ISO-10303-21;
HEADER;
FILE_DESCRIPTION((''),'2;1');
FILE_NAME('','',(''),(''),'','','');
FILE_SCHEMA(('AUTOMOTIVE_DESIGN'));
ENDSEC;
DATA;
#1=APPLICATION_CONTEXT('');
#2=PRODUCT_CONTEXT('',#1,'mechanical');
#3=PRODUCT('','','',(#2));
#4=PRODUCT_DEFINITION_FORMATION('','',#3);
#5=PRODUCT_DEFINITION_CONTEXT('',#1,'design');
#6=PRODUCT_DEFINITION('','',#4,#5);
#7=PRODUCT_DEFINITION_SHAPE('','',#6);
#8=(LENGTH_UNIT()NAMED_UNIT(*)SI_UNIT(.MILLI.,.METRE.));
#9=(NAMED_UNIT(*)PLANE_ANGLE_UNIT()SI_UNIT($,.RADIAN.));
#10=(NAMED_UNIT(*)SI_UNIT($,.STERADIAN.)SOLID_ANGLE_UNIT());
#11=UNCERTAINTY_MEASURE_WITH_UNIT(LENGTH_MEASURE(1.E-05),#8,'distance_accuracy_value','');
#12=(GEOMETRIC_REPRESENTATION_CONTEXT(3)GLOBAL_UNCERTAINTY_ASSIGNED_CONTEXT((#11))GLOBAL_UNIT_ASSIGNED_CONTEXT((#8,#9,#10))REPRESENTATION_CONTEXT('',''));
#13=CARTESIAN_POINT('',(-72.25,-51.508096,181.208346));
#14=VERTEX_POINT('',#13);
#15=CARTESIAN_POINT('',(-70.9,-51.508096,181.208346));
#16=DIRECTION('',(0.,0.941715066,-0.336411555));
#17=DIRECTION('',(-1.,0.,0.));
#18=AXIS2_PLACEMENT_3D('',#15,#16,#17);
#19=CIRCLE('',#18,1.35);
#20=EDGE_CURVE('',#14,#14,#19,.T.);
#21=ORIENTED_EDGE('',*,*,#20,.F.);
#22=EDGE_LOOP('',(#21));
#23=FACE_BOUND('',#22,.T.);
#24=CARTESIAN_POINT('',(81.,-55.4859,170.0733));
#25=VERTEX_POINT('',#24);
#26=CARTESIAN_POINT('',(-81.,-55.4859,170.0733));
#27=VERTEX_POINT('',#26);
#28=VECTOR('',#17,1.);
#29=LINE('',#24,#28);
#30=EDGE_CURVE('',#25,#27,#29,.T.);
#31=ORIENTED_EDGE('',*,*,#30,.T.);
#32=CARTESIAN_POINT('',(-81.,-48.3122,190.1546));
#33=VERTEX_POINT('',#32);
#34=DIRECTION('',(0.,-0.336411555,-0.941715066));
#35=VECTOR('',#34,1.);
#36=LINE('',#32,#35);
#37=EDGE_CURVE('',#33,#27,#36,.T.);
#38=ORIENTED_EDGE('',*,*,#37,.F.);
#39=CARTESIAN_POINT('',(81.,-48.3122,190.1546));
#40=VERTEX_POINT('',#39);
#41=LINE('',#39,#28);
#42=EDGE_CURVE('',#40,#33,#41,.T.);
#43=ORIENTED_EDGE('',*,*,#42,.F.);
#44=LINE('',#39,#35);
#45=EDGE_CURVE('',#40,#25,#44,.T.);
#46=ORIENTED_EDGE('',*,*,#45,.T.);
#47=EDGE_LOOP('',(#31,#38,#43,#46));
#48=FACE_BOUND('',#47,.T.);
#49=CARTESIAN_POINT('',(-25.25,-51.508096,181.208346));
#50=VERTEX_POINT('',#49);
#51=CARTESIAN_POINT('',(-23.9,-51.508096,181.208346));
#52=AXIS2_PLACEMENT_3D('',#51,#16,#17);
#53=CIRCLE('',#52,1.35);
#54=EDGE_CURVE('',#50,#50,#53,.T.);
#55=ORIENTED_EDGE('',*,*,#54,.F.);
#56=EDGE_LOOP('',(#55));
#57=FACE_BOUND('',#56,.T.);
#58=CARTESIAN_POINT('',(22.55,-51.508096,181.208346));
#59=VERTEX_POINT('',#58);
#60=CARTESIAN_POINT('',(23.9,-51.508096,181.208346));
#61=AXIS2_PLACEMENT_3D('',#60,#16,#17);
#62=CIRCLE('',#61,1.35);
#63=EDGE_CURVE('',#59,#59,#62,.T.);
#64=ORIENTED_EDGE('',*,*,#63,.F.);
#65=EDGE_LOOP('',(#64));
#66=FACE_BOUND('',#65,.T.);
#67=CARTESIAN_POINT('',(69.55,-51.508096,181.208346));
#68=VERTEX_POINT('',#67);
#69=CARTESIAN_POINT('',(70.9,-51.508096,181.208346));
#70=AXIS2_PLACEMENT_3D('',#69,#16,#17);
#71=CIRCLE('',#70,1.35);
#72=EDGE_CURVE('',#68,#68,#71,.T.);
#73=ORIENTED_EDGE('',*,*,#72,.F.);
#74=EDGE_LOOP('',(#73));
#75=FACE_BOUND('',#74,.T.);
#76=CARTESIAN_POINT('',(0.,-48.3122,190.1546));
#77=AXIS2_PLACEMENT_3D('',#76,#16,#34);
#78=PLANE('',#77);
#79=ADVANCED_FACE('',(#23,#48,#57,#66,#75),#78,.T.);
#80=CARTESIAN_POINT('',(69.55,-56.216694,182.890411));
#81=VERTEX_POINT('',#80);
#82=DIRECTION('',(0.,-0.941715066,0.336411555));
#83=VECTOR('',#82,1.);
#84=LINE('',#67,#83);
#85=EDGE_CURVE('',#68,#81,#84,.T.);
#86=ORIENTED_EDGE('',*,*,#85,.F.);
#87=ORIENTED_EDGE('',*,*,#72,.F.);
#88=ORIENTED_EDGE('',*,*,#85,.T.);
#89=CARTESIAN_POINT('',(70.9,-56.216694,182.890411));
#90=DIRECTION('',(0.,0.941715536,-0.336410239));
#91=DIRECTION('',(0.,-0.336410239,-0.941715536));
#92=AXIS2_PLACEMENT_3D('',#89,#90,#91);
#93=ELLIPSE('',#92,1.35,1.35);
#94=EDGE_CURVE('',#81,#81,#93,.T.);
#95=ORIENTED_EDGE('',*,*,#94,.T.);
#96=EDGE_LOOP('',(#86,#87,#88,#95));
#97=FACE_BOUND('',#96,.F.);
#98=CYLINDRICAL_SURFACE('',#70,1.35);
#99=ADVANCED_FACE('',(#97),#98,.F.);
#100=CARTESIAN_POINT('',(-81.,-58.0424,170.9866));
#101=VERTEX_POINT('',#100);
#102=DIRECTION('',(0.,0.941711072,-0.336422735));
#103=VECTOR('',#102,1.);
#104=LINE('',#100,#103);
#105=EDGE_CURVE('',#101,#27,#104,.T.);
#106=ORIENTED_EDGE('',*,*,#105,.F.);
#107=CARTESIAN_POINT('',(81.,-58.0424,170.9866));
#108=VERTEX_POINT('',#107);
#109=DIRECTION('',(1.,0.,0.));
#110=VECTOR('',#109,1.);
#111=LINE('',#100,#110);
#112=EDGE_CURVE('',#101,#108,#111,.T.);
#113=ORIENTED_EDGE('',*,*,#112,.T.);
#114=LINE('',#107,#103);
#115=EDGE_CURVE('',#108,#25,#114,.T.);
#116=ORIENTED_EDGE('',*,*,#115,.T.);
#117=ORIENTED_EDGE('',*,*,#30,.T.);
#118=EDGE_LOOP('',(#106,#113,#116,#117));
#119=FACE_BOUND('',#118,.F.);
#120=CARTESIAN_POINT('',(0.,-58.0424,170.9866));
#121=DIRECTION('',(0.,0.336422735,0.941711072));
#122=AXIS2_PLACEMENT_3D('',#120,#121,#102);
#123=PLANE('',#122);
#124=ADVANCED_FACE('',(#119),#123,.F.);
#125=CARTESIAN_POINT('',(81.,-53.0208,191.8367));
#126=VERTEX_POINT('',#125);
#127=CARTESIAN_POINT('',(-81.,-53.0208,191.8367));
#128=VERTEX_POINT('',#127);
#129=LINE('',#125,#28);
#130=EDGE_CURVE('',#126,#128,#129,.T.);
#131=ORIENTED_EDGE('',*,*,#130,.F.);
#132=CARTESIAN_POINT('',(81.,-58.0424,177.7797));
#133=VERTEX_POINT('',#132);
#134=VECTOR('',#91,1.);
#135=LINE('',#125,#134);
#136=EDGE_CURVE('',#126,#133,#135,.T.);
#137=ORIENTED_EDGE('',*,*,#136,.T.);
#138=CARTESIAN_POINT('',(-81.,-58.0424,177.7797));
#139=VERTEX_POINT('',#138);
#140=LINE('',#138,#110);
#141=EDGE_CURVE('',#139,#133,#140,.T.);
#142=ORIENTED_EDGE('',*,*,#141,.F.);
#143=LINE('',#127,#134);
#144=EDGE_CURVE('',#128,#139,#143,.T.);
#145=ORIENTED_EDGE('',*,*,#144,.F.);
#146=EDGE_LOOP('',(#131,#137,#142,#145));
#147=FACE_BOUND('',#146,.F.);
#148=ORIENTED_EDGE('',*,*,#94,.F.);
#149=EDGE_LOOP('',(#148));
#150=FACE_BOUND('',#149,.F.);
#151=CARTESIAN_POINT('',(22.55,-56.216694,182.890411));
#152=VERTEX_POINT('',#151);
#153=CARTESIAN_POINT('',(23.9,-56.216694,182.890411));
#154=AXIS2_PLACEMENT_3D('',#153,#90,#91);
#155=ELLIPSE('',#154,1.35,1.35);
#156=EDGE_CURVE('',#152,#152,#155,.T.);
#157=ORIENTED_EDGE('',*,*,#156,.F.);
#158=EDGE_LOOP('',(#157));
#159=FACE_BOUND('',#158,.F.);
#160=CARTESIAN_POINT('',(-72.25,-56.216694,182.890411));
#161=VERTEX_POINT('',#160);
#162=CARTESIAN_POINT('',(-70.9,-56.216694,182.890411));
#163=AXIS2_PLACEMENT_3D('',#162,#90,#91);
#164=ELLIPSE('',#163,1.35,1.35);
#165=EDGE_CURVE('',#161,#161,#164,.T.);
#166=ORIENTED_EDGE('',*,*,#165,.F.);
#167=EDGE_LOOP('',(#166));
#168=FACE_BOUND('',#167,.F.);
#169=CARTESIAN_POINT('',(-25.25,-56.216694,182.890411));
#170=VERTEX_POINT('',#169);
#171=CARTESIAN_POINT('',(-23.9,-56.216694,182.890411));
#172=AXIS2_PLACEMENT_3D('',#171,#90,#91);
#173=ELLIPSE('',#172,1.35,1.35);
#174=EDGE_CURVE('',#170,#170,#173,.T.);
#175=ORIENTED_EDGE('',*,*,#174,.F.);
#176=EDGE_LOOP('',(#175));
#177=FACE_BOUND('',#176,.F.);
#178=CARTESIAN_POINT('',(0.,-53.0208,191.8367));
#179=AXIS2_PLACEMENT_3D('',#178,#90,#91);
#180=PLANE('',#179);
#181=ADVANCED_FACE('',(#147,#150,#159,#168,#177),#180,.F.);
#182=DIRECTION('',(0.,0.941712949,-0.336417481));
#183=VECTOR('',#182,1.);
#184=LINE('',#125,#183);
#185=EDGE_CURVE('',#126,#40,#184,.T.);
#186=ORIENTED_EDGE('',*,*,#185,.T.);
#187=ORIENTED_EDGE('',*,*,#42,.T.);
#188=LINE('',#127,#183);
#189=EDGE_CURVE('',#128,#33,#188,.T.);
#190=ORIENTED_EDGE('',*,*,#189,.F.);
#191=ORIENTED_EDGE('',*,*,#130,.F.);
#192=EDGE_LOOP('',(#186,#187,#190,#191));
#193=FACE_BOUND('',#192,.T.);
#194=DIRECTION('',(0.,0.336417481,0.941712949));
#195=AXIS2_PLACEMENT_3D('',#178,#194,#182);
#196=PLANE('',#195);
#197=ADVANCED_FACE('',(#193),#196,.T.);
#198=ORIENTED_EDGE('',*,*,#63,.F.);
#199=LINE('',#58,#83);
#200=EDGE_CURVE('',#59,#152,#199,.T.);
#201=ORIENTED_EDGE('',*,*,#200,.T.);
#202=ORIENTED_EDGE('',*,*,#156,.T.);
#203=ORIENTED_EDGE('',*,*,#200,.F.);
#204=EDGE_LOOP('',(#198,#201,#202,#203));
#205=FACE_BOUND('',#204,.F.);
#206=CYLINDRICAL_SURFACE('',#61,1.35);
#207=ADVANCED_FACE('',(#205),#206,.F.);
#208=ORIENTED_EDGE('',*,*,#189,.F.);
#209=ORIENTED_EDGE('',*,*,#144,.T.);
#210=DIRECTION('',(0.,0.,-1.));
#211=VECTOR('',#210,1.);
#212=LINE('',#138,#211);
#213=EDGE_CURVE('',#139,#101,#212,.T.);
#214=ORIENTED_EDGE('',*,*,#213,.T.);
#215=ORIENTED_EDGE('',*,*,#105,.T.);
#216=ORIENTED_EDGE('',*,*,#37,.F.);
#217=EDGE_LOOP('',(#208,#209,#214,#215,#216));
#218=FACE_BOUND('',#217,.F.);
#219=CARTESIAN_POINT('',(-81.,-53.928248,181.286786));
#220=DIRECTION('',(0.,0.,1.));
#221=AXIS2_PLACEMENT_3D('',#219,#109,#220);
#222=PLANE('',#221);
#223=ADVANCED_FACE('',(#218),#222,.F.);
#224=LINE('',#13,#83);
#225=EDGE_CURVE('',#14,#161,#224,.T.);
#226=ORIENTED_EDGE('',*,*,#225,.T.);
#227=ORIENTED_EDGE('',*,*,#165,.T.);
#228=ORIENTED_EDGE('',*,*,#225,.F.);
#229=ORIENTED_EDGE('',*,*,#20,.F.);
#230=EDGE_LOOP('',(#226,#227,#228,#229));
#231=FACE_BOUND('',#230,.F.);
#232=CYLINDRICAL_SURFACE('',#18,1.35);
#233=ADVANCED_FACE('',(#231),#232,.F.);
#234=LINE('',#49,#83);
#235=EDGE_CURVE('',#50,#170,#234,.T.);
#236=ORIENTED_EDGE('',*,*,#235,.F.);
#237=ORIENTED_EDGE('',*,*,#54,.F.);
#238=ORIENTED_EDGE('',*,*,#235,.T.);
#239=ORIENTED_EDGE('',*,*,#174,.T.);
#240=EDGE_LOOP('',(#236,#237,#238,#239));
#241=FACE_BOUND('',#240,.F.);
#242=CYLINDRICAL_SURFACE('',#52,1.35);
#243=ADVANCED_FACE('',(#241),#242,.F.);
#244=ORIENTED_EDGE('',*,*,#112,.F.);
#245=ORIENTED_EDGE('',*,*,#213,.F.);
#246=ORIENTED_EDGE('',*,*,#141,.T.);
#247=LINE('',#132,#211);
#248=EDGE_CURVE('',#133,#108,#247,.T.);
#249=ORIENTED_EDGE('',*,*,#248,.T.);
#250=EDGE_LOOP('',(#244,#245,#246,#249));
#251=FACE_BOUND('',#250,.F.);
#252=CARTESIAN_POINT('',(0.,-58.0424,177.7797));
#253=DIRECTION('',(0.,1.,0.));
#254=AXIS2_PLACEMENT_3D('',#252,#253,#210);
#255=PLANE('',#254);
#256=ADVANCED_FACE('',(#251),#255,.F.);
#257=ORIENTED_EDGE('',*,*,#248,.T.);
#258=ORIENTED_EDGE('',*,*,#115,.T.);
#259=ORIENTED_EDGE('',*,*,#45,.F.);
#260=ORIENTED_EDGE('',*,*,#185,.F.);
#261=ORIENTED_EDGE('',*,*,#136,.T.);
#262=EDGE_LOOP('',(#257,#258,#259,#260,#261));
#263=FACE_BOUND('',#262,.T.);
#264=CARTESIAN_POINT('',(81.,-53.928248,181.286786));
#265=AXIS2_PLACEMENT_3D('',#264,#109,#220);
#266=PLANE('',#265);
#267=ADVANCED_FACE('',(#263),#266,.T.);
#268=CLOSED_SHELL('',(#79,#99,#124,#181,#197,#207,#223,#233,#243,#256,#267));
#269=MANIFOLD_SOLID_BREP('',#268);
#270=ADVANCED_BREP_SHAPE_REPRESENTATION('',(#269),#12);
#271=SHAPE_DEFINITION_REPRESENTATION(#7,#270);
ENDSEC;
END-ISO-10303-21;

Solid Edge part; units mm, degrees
sketch "Sketch1" plane through (0, 0, 0) normal (1, 0, 0) x (0, 1, 0)
  line L0 (-53.0208, 191.8367) -> (-58.0424, 177.7797)
  line L1 (-58.0424, 177.7797) -> (-58.0424, 170.9866)
  line L2 (-58.0424, 170.9866) -> (-55.4859, 170.0733)
  line L3 (-48.3122, 190.1546) -> (-55.4859, 170.0733)
  line L4 (-53.0208, 191.8367) -> (-48.3122, 190.1546)
extrude "Protrusion1" add sketch "Sketch1" along normal mid plane 162
sketch "Sketch2" plane through (0, -51.8991, 180.114) normal (0, 0.9417, -0.3364) x (-1, 0, 0)
  circle A0 centre (-70.9, 1.1621) radius 1.35
  circle A1 centre (-23.9, 1.1621) radius 1.35
  circle A2 centre (23.9, 1.1621) radius 1.35
  circle A3 centre (70.9, 1.1621) radius 1.35
extrude "Cutout1" cut sketch "Sketch2" against normal up to next
